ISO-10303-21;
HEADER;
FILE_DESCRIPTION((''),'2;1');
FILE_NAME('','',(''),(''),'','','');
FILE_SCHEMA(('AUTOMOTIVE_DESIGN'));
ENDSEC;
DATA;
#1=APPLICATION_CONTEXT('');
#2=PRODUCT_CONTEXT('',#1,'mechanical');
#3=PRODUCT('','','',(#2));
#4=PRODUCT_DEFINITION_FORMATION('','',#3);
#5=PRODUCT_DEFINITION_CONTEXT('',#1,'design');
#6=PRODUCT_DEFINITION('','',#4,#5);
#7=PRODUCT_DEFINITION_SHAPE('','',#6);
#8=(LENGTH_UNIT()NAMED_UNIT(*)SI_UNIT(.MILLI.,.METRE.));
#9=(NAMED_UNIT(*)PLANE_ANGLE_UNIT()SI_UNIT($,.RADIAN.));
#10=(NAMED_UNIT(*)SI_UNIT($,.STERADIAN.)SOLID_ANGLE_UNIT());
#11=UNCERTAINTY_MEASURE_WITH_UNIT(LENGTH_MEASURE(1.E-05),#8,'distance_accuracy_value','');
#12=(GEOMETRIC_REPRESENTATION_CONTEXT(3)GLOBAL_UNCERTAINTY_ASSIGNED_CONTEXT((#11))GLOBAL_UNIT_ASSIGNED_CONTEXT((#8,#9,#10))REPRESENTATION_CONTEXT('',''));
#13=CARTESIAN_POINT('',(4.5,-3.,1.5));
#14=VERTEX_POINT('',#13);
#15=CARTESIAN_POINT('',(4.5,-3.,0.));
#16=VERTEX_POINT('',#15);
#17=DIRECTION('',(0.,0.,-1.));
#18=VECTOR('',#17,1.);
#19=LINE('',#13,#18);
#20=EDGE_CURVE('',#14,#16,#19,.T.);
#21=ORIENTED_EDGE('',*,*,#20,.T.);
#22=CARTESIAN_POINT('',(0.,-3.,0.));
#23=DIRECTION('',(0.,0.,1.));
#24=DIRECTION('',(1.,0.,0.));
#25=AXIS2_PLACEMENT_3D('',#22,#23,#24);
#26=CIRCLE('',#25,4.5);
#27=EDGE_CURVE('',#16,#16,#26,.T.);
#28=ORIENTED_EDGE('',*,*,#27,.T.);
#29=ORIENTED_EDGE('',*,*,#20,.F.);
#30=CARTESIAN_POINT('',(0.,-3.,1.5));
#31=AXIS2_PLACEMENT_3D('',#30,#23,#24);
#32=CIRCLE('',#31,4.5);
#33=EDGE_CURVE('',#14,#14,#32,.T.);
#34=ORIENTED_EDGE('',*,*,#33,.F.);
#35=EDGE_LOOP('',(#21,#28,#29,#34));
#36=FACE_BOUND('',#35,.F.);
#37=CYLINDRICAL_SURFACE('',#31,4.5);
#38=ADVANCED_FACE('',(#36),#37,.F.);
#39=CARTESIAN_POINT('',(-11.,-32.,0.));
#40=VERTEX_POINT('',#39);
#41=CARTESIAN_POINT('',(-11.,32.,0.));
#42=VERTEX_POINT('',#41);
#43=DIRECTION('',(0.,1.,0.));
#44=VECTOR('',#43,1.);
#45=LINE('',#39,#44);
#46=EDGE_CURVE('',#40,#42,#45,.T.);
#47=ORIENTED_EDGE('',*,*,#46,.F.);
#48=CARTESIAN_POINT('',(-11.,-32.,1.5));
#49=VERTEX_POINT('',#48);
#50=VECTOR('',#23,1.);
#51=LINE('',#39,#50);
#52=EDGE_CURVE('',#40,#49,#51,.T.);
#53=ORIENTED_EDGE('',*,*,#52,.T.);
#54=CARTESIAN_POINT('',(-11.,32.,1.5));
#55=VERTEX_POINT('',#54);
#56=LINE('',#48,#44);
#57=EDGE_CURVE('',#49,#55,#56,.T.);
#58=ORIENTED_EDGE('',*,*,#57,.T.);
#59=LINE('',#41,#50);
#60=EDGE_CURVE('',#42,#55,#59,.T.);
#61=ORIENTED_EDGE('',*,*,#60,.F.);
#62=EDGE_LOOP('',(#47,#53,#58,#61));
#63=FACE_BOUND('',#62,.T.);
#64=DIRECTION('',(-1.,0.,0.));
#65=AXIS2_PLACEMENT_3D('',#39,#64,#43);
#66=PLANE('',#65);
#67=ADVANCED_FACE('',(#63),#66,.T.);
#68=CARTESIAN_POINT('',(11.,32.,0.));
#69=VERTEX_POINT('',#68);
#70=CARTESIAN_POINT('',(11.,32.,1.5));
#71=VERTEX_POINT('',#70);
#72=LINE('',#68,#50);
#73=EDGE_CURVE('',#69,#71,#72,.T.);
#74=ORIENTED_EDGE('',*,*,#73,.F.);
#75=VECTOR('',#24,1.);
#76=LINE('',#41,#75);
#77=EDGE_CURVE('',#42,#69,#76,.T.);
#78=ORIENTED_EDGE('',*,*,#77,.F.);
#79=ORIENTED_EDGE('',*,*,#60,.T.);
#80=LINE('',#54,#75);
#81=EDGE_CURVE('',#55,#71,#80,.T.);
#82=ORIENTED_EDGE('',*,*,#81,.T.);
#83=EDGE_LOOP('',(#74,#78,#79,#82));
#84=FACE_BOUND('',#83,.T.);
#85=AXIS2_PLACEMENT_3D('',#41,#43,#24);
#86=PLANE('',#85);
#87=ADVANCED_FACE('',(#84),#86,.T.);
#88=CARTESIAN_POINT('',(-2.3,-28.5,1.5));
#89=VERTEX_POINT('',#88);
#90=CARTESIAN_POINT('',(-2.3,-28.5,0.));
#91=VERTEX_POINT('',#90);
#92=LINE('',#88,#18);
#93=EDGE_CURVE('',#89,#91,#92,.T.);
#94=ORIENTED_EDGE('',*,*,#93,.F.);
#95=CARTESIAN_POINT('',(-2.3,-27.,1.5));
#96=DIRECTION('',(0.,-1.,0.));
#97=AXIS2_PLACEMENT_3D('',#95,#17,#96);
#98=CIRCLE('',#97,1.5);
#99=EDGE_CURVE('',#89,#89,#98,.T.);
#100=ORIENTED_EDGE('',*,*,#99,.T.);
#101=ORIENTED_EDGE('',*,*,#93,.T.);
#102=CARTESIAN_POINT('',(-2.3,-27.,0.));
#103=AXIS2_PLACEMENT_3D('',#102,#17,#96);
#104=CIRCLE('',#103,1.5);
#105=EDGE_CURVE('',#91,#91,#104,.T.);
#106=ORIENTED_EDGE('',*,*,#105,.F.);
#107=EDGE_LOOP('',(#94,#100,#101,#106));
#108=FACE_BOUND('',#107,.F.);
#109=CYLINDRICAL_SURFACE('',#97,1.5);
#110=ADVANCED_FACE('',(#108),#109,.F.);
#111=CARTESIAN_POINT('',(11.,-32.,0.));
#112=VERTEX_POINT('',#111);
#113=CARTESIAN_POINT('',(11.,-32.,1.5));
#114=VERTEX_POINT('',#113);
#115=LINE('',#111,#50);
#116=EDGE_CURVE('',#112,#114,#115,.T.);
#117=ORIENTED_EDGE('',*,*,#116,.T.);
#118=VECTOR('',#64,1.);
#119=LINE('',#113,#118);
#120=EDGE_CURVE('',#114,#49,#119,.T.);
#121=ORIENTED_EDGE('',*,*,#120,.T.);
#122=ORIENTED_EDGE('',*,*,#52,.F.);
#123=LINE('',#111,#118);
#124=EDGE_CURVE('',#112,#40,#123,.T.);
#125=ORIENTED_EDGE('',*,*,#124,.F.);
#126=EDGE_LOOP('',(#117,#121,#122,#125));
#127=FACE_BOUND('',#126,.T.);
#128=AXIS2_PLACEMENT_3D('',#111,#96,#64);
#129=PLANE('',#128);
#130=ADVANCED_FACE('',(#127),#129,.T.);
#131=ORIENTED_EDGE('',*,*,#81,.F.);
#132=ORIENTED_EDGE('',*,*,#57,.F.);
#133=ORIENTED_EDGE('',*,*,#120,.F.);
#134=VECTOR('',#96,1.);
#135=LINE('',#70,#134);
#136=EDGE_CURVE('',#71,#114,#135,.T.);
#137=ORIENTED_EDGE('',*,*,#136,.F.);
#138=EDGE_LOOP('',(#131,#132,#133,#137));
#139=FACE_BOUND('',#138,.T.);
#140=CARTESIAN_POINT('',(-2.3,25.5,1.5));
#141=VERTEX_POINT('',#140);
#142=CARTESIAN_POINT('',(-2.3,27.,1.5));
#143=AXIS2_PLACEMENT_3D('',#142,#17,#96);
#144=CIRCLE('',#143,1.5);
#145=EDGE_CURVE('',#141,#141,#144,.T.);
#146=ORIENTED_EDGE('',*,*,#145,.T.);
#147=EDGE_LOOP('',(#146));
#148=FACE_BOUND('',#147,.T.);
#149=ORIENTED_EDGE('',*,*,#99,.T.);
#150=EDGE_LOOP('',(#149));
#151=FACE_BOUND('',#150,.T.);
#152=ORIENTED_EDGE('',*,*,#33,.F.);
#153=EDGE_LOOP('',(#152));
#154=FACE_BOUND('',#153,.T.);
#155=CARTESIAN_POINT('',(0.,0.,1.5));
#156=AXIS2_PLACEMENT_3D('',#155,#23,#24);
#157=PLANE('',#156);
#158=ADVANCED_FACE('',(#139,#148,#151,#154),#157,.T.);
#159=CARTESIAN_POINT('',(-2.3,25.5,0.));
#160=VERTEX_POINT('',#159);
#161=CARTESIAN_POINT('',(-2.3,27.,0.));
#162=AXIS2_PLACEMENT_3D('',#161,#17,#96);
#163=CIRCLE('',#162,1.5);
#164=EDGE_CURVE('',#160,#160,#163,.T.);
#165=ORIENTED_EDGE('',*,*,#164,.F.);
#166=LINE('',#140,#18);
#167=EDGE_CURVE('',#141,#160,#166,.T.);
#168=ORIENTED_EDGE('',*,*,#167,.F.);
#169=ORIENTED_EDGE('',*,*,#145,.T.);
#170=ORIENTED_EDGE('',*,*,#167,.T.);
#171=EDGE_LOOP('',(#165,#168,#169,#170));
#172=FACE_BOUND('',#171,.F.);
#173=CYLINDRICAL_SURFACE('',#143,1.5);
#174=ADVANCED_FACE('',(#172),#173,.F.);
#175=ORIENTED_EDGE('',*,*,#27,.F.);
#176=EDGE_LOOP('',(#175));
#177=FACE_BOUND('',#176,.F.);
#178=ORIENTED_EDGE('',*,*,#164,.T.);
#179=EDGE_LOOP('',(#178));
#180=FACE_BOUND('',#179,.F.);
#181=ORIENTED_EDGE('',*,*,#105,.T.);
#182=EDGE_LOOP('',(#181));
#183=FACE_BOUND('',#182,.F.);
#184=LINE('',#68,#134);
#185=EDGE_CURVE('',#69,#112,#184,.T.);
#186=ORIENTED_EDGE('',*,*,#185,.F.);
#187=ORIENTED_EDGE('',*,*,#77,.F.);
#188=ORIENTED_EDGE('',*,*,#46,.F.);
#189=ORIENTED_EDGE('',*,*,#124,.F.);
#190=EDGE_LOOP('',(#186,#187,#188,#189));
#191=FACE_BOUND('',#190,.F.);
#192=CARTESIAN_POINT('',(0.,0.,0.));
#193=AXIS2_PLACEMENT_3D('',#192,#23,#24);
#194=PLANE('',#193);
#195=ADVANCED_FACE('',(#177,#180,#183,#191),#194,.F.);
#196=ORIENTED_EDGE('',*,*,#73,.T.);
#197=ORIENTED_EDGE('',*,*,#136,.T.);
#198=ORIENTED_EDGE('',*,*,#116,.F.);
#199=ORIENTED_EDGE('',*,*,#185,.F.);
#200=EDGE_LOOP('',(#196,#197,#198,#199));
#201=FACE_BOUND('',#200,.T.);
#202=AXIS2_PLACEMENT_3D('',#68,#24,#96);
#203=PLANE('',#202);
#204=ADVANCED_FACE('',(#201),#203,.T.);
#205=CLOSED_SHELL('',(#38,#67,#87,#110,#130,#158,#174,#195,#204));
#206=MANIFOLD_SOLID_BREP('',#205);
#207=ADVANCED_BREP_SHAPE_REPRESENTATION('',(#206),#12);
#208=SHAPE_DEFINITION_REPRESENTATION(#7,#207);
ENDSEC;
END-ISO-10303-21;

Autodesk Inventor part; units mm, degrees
ref_plane "YZ Plane" through (0, 0, 0) normal (1, 0, 0) x (0, 1, 0)
ref_plane "XZ Plane" through (0, 0, 0) normal (0, 1, 0) x (-1, 0, 0)
ref_plane "XY Plane" through (0, 0, 0) normal (0, 0, 1) x (1, 0, 0)
sketch "スケッチ1" plane through (0, 0, 0) normal (0, 0, 1) x (1, 0, 0)
  line L0 (11, -32) -> (-11, -32)
  line L1 (-11, -32) -> (-11, 32)
  line L2 (-11, 32) -> (11, 32)
  line L3 (11, 32) -> (11, -32)
  line L4 (11, -32) -> (-11, 32) construction
  line L5 (-11, -32) -> (11, 32) construction
  point P0 (0, 0)
  dimension "d0" = 22
  dimension "d1" = 64
extrude "押し出し1" add sketch "スケッチ1" along normal blind 1.5
sketch "スケッチ2" plane through (0, 0, 1.5) normal (0, 0, 1) x (1, 0, 0)
  line L0 (-11, 32) -> (-11, -32) projected
  line L1 (11, 32) -> (-11, 32) projected
  line L2 (-11, -32) -> (11, -32) projected
  point P0 (0, 0)
  point P1 (-2.3, 27)
  point P2 (-2.3, -27)
  dimension "d4" = 8.7
  dimension "d5" = 5
  dimension "d6" = 5
hole "穴1" at (-2.3, 27, 1.5) at (-2.3, -27, 1.5) direction (0, 0, -1) diameter 3 end through all
sketch "スケッチ3" plane through (0, 0, 1.5) normal (0, 0, 1) x (1, 0, 0)
  circle A0 centre (0, -3) radius 4.5
  line L0 (11, 32) -> (-11, 32) projected
  point P0 (0, 0)
  dimension "d14" = 35
  dimension "d15" = 9
extrude "押し出し2" cut sketch "スケッチ3" against normal blind 1.5
properties part number "pcb_base" material "アルミニウム 6061"
